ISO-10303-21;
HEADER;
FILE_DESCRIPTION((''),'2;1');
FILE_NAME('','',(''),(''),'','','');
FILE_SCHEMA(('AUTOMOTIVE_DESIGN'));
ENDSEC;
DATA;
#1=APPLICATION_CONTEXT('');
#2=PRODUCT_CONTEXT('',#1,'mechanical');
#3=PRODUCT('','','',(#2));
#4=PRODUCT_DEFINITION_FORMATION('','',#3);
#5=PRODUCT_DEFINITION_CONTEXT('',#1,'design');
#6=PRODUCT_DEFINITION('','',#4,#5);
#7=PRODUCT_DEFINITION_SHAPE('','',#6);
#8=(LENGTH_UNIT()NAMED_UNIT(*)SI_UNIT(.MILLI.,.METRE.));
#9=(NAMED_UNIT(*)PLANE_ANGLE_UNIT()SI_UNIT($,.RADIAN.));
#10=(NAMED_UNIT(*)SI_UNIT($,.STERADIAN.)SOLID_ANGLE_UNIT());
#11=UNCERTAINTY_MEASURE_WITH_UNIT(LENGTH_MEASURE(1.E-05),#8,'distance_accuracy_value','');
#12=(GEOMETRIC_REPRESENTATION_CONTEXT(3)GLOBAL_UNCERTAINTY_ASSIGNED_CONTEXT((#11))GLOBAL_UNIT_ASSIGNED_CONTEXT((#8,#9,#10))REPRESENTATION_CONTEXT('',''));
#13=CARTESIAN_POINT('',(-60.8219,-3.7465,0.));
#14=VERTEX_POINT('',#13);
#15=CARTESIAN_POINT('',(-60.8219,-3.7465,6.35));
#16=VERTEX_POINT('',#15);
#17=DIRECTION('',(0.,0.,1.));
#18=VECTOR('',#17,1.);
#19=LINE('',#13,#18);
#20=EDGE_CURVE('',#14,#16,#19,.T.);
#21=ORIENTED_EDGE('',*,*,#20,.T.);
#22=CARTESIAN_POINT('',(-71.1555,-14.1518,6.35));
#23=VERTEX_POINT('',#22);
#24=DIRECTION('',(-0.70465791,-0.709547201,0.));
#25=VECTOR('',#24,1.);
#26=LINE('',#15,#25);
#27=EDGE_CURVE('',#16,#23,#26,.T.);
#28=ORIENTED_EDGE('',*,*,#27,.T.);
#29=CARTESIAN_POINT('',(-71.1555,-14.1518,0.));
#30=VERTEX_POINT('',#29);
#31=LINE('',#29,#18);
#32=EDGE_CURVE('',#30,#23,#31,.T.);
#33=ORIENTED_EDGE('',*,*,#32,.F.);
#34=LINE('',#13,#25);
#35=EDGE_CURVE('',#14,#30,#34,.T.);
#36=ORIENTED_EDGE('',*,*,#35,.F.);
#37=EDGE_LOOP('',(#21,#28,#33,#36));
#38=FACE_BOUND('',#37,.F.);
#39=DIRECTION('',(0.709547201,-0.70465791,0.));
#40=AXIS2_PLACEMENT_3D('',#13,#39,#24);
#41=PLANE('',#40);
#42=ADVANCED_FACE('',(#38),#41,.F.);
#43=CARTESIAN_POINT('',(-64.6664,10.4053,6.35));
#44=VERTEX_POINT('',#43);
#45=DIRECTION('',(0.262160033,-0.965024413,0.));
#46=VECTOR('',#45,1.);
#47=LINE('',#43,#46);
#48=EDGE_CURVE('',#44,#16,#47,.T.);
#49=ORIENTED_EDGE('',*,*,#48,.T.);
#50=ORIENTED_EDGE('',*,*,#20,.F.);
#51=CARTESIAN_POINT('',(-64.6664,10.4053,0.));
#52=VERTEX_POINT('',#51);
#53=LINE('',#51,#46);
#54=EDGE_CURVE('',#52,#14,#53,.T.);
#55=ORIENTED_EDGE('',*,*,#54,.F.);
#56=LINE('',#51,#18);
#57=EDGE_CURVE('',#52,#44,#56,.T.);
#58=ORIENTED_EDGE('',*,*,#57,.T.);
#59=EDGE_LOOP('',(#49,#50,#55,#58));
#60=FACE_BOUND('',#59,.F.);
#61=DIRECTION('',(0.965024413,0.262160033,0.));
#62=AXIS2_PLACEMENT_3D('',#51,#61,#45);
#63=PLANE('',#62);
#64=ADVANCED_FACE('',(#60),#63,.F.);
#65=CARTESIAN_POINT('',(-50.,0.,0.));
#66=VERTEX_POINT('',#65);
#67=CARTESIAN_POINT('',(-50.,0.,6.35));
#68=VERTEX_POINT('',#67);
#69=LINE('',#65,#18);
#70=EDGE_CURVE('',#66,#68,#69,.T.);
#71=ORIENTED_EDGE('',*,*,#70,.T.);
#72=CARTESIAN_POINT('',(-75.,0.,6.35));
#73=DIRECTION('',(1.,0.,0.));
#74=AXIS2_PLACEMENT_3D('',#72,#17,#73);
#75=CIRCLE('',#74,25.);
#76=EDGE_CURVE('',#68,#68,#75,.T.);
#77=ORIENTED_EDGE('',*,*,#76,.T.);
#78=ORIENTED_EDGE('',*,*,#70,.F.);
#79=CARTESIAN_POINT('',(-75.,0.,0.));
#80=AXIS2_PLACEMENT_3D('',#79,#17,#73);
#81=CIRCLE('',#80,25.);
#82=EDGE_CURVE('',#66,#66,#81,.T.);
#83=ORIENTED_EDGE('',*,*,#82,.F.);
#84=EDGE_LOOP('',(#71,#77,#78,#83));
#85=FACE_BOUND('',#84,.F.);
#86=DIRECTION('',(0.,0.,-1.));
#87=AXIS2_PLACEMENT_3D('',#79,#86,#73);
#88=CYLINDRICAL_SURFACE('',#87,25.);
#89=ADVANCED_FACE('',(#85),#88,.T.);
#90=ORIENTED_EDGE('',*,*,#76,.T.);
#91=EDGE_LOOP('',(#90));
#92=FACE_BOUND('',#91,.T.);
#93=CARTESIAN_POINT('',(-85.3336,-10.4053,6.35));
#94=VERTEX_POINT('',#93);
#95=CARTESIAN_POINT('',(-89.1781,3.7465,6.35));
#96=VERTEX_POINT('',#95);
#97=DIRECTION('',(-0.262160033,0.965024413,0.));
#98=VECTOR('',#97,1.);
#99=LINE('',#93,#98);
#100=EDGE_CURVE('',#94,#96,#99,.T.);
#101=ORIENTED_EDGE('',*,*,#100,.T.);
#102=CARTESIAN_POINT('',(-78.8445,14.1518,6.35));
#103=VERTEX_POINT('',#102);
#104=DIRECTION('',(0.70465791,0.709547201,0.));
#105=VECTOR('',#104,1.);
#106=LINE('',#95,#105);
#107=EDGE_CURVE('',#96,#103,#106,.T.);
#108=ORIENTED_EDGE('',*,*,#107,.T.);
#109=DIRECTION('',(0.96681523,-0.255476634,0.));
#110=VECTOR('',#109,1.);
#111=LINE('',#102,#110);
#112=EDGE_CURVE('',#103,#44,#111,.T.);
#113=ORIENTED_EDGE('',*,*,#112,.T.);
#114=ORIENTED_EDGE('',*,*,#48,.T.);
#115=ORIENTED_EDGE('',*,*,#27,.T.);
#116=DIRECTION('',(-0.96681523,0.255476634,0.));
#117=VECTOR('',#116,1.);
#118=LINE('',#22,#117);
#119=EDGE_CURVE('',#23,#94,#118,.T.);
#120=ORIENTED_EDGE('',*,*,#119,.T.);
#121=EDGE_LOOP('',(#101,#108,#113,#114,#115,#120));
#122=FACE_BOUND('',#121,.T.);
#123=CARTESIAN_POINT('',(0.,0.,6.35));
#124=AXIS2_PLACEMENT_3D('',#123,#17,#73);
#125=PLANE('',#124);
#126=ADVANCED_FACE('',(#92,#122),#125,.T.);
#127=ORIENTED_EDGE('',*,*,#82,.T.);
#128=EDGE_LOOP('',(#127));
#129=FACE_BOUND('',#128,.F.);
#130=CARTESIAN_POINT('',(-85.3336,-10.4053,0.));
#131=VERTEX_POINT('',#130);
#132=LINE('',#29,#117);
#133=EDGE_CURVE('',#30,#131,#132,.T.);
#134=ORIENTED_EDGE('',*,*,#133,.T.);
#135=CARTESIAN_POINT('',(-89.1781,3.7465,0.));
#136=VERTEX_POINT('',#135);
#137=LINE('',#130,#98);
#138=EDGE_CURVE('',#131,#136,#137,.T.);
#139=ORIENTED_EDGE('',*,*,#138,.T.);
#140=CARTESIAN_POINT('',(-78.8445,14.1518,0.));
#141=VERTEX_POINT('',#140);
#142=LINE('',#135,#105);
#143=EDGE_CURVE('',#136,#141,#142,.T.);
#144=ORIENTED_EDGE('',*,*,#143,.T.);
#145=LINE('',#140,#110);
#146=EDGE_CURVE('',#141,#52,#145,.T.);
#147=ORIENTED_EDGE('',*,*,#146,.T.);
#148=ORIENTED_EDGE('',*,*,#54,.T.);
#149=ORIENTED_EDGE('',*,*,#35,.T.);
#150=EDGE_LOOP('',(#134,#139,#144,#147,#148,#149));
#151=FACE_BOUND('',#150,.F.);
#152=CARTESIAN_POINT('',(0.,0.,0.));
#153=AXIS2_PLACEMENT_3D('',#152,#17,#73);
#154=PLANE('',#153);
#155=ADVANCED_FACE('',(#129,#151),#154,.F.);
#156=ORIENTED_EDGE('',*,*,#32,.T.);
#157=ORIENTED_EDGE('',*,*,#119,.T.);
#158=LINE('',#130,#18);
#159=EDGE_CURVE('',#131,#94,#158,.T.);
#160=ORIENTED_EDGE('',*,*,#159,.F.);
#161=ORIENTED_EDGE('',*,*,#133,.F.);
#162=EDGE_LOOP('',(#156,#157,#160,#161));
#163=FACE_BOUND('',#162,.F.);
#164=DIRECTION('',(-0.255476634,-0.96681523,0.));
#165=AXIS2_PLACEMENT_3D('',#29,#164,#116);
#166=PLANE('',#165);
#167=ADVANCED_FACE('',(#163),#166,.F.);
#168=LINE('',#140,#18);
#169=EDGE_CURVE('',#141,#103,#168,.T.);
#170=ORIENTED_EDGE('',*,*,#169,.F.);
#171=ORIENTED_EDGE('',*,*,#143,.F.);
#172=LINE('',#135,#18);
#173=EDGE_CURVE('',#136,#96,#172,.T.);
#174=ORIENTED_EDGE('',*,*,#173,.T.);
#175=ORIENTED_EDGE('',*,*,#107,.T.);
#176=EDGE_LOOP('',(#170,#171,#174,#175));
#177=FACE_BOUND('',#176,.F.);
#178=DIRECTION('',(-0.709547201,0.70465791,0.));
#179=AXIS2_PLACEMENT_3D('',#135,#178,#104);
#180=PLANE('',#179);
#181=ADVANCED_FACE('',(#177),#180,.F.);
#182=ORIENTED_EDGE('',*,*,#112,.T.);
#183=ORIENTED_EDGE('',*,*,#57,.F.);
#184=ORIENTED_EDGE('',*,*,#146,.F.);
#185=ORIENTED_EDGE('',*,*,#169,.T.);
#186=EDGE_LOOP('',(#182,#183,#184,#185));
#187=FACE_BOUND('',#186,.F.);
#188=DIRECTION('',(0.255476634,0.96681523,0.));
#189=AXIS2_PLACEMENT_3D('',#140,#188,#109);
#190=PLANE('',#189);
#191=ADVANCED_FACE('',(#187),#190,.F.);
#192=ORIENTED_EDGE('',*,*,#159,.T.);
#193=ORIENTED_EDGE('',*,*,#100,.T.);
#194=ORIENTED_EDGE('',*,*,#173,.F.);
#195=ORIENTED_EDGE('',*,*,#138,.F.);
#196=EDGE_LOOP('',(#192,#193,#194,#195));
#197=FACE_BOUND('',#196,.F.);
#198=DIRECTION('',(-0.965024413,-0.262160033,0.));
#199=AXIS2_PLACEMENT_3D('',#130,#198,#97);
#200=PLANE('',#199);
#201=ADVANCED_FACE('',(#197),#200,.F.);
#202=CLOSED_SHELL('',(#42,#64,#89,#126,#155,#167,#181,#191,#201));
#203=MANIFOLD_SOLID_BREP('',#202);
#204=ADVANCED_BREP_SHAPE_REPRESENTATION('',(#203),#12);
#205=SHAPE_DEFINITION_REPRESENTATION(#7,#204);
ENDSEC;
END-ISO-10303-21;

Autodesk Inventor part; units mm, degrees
ref_plane "YZ Plane" through (0, 0, 0) normal (1, 0, 0) x (0, 1, 0)
ref_plane "XZ Plane" through (0, 0, 0) normal (0, 1, 0) x (-1, 0, 0)
ref_plane "XY Plane" through (0, 0, 0) normal (0, 0, 1) x (1, 0, 0)
sketch "Sketch1" plane through (0, 0, 0) normal (0, 0, 1) x (1, 0, 0)
  circle A0 centre (-75, 0) radius 25
  circle A1 centre (-75, 0) radius 25
  line L0 (-78.8445, 14.1518) -> (-64.6664, 10.4053)
  line L1 (-64.6664, 10.4053) -> (-60.8219, -3.7465)
  line L2 (-60.8219, -3.7465) -> (-71.1555, -14.1518)
  line L3 (-71.1555, -14.1518) -> (-85.3336, -10.4053)
  line L4 (-85.3336, -10.4053) -> (-89.1781, 3.7465)
  line L5 (-89.1781, 3.7465) -> (-78.8445, 14.1518)
  point P0 (0, 0)
extrude "Extrusion1" add sketch "Sketch1" along normal blind 6.35
properties part number "1-4inch_KnifeSpacer_Piece1"
